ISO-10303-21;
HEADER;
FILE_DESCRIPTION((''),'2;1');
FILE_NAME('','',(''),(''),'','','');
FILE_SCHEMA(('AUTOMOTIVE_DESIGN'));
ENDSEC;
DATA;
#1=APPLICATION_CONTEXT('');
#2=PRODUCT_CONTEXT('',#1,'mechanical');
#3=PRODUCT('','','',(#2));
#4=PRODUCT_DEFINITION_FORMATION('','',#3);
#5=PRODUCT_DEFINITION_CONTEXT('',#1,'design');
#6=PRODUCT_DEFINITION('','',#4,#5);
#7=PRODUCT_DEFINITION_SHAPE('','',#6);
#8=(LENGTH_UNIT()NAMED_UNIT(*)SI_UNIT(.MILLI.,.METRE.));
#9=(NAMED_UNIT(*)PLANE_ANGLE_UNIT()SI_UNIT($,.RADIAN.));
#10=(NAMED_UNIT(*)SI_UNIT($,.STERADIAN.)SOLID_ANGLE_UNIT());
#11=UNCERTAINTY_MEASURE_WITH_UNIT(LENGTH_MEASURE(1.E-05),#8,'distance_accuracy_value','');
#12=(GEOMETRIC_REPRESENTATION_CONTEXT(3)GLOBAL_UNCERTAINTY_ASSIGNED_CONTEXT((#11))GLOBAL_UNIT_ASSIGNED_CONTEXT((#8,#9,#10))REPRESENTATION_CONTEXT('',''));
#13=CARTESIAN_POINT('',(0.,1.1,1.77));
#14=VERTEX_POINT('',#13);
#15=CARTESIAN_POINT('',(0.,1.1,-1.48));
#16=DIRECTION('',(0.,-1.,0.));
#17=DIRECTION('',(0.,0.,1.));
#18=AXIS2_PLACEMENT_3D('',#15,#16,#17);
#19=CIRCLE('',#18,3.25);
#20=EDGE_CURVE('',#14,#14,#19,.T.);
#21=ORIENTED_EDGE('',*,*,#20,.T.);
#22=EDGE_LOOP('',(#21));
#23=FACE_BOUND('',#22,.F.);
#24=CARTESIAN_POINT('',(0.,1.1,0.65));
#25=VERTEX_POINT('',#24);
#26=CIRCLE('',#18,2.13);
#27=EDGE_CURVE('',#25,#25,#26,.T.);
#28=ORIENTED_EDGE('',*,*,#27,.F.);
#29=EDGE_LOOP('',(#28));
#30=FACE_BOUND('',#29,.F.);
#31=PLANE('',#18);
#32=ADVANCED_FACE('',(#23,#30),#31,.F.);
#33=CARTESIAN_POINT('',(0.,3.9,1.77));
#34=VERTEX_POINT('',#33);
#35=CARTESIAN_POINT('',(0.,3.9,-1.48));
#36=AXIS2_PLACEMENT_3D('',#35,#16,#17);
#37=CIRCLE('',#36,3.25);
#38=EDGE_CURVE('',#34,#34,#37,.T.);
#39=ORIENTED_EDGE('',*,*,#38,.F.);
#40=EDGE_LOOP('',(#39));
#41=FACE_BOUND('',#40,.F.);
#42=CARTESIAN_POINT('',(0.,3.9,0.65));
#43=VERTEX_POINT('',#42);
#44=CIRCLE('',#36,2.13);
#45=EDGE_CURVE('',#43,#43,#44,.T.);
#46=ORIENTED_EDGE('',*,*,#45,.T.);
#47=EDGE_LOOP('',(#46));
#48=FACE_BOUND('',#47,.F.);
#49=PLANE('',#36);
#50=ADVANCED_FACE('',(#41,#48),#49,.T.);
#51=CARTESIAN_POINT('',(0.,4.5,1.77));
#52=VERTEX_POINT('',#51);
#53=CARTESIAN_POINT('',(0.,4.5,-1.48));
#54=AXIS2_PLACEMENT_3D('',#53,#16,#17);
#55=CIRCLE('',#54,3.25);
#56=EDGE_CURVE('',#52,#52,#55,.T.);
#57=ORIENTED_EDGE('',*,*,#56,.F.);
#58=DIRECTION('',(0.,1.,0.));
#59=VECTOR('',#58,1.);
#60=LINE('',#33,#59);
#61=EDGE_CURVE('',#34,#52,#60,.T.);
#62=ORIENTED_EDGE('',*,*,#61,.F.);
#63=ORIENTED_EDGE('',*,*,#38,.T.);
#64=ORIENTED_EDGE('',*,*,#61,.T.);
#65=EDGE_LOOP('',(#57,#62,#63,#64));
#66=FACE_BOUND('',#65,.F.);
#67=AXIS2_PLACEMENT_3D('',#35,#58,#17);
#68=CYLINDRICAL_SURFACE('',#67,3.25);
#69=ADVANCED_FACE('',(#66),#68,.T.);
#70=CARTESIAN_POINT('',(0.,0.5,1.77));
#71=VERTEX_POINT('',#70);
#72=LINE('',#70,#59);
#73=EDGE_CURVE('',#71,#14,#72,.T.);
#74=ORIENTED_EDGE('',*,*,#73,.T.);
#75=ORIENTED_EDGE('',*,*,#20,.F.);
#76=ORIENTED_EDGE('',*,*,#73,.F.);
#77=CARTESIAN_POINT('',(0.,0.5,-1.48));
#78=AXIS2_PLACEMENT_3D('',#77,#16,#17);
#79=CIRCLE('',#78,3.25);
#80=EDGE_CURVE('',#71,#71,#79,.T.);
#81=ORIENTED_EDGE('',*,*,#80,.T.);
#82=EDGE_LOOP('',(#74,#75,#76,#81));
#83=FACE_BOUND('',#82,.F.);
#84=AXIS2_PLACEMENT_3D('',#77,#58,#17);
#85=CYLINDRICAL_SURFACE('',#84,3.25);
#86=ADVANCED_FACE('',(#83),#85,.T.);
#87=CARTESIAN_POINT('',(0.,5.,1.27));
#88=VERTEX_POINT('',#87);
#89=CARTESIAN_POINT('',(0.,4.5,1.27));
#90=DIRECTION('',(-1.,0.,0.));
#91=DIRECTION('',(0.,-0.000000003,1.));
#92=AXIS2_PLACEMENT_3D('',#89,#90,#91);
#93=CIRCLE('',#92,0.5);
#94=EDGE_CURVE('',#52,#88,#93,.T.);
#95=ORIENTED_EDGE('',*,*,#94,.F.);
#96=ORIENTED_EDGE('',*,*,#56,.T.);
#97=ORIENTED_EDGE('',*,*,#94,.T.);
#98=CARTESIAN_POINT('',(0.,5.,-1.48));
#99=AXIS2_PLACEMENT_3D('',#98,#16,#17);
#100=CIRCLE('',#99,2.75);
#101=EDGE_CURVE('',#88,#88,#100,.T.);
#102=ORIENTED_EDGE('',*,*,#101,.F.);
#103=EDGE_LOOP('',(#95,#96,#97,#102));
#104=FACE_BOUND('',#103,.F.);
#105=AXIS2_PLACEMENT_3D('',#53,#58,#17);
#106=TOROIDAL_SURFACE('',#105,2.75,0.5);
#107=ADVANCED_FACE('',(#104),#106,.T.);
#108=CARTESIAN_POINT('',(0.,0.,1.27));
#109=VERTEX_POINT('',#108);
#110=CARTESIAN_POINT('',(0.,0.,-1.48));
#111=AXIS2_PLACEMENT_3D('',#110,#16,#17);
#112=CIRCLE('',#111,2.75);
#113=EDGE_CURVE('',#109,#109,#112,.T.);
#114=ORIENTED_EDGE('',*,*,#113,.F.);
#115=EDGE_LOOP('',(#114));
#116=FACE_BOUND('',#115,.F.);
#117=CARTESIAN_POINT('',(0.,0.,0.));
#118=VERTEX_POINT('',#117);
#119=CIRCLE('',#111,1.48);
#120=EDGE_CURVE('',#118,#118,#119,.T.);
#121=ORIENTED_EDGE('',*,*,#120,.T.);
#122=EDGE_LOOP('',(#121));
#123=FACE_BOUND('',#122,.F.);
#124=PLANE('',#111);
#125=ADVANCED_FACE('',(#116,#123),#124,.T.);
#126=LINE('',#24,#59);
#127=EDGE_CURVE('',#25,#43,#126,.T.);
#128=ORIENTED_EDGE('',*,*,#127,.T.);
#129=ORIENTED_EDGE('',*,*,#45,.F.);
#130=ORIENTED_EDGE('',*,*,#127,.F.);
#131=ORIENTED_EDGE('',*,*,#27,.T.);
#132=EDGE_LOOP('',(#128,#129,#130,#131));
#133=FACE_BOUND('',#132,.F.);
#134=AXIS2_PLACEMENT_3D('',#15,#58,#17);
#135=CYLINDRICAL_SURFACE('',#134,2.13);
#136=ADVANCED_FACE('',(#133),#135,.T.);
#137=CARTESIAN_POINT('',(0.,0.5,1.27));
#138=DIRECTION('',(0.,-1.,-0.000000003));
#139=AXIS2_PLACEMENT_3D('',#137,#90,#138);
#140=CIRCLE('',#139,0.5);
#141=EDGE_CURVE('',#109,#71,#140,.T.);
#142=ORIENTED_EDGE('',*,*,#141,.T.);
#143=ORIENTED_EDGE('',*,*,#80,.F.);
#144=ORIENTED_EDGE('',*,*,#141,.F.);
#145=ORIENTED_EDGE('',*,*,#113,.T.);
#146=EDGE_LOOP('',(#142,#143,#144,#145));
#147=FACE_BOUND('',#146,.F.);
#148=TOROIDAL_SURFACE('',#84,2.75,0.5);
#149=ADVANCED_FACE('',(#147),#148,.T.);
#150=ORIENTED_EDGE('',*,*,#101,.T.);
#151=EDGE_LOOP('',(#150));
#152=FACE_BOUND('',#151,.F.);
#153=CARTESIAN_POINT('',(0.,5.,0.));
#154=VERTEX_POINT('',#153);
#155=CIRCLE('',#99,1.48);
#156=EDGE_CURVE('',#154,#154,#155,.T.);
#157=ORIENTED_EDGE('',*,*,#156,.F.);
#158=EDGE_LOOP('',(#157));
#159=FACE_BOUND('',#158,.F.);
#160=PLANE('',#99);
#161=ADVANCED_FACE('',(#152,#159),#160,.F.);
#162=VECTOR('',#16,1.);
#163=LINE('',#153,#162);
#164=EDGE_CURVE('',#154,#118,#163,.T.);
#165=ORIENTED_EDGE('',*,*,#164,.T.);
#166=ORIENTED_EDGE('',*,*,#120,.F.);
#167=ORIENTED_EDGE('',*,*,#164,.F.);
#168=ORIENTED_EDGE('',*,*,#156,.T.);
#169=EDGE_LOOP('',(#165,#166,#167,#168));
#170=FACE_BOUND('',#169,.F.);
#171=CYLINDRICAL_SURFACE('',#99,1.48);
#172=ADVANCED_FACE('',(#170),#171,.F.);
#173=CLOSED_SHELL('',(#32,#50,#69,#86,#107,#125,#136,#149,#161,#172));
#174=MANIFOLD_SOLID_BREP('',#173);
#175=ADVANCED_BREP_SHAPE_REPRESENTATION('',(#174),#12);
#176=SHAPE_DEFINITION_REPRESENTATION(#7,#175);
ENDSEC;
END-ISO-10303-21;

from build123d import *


with BuildPart() as part:
    # Çizim1 → Döndür1 (revolve)
    with BuildSketch(Plane(origin=(0, 0, 0), x_dir=(0, 0, -1), z_dir=(1, 0, 0))):
        with BuildLine():
            Line((0, 5), (0, 0))
            Line((0, 0), (-1.27, 0))
            ThreePointArc((-1.27, 0), (-1.623553391, 0.146446609), (-1.77, 0.5))
            Line((-1.77, 0.5), (-1.77, 1.1))
            Line((-1.77, 1.1), (-0.65, 1.1))
            Line((-0.65, 1.1), (-0.65, 3.9))
            Line((-0.65, 3.9), (-1.77, 3.9))
            Line((-1.77, 3.9), (-1.77, 4.5))
            ThreePointArc((-1.77, 4.5), (-1.623553391, 4.853553391), (-1.27, 5))
            Line((-1.27, 5), (0, 5))
        make_face()
    revolve(axis=Axis((0, 5, -1.48), (0, -1, 0)))


solid = part.part
